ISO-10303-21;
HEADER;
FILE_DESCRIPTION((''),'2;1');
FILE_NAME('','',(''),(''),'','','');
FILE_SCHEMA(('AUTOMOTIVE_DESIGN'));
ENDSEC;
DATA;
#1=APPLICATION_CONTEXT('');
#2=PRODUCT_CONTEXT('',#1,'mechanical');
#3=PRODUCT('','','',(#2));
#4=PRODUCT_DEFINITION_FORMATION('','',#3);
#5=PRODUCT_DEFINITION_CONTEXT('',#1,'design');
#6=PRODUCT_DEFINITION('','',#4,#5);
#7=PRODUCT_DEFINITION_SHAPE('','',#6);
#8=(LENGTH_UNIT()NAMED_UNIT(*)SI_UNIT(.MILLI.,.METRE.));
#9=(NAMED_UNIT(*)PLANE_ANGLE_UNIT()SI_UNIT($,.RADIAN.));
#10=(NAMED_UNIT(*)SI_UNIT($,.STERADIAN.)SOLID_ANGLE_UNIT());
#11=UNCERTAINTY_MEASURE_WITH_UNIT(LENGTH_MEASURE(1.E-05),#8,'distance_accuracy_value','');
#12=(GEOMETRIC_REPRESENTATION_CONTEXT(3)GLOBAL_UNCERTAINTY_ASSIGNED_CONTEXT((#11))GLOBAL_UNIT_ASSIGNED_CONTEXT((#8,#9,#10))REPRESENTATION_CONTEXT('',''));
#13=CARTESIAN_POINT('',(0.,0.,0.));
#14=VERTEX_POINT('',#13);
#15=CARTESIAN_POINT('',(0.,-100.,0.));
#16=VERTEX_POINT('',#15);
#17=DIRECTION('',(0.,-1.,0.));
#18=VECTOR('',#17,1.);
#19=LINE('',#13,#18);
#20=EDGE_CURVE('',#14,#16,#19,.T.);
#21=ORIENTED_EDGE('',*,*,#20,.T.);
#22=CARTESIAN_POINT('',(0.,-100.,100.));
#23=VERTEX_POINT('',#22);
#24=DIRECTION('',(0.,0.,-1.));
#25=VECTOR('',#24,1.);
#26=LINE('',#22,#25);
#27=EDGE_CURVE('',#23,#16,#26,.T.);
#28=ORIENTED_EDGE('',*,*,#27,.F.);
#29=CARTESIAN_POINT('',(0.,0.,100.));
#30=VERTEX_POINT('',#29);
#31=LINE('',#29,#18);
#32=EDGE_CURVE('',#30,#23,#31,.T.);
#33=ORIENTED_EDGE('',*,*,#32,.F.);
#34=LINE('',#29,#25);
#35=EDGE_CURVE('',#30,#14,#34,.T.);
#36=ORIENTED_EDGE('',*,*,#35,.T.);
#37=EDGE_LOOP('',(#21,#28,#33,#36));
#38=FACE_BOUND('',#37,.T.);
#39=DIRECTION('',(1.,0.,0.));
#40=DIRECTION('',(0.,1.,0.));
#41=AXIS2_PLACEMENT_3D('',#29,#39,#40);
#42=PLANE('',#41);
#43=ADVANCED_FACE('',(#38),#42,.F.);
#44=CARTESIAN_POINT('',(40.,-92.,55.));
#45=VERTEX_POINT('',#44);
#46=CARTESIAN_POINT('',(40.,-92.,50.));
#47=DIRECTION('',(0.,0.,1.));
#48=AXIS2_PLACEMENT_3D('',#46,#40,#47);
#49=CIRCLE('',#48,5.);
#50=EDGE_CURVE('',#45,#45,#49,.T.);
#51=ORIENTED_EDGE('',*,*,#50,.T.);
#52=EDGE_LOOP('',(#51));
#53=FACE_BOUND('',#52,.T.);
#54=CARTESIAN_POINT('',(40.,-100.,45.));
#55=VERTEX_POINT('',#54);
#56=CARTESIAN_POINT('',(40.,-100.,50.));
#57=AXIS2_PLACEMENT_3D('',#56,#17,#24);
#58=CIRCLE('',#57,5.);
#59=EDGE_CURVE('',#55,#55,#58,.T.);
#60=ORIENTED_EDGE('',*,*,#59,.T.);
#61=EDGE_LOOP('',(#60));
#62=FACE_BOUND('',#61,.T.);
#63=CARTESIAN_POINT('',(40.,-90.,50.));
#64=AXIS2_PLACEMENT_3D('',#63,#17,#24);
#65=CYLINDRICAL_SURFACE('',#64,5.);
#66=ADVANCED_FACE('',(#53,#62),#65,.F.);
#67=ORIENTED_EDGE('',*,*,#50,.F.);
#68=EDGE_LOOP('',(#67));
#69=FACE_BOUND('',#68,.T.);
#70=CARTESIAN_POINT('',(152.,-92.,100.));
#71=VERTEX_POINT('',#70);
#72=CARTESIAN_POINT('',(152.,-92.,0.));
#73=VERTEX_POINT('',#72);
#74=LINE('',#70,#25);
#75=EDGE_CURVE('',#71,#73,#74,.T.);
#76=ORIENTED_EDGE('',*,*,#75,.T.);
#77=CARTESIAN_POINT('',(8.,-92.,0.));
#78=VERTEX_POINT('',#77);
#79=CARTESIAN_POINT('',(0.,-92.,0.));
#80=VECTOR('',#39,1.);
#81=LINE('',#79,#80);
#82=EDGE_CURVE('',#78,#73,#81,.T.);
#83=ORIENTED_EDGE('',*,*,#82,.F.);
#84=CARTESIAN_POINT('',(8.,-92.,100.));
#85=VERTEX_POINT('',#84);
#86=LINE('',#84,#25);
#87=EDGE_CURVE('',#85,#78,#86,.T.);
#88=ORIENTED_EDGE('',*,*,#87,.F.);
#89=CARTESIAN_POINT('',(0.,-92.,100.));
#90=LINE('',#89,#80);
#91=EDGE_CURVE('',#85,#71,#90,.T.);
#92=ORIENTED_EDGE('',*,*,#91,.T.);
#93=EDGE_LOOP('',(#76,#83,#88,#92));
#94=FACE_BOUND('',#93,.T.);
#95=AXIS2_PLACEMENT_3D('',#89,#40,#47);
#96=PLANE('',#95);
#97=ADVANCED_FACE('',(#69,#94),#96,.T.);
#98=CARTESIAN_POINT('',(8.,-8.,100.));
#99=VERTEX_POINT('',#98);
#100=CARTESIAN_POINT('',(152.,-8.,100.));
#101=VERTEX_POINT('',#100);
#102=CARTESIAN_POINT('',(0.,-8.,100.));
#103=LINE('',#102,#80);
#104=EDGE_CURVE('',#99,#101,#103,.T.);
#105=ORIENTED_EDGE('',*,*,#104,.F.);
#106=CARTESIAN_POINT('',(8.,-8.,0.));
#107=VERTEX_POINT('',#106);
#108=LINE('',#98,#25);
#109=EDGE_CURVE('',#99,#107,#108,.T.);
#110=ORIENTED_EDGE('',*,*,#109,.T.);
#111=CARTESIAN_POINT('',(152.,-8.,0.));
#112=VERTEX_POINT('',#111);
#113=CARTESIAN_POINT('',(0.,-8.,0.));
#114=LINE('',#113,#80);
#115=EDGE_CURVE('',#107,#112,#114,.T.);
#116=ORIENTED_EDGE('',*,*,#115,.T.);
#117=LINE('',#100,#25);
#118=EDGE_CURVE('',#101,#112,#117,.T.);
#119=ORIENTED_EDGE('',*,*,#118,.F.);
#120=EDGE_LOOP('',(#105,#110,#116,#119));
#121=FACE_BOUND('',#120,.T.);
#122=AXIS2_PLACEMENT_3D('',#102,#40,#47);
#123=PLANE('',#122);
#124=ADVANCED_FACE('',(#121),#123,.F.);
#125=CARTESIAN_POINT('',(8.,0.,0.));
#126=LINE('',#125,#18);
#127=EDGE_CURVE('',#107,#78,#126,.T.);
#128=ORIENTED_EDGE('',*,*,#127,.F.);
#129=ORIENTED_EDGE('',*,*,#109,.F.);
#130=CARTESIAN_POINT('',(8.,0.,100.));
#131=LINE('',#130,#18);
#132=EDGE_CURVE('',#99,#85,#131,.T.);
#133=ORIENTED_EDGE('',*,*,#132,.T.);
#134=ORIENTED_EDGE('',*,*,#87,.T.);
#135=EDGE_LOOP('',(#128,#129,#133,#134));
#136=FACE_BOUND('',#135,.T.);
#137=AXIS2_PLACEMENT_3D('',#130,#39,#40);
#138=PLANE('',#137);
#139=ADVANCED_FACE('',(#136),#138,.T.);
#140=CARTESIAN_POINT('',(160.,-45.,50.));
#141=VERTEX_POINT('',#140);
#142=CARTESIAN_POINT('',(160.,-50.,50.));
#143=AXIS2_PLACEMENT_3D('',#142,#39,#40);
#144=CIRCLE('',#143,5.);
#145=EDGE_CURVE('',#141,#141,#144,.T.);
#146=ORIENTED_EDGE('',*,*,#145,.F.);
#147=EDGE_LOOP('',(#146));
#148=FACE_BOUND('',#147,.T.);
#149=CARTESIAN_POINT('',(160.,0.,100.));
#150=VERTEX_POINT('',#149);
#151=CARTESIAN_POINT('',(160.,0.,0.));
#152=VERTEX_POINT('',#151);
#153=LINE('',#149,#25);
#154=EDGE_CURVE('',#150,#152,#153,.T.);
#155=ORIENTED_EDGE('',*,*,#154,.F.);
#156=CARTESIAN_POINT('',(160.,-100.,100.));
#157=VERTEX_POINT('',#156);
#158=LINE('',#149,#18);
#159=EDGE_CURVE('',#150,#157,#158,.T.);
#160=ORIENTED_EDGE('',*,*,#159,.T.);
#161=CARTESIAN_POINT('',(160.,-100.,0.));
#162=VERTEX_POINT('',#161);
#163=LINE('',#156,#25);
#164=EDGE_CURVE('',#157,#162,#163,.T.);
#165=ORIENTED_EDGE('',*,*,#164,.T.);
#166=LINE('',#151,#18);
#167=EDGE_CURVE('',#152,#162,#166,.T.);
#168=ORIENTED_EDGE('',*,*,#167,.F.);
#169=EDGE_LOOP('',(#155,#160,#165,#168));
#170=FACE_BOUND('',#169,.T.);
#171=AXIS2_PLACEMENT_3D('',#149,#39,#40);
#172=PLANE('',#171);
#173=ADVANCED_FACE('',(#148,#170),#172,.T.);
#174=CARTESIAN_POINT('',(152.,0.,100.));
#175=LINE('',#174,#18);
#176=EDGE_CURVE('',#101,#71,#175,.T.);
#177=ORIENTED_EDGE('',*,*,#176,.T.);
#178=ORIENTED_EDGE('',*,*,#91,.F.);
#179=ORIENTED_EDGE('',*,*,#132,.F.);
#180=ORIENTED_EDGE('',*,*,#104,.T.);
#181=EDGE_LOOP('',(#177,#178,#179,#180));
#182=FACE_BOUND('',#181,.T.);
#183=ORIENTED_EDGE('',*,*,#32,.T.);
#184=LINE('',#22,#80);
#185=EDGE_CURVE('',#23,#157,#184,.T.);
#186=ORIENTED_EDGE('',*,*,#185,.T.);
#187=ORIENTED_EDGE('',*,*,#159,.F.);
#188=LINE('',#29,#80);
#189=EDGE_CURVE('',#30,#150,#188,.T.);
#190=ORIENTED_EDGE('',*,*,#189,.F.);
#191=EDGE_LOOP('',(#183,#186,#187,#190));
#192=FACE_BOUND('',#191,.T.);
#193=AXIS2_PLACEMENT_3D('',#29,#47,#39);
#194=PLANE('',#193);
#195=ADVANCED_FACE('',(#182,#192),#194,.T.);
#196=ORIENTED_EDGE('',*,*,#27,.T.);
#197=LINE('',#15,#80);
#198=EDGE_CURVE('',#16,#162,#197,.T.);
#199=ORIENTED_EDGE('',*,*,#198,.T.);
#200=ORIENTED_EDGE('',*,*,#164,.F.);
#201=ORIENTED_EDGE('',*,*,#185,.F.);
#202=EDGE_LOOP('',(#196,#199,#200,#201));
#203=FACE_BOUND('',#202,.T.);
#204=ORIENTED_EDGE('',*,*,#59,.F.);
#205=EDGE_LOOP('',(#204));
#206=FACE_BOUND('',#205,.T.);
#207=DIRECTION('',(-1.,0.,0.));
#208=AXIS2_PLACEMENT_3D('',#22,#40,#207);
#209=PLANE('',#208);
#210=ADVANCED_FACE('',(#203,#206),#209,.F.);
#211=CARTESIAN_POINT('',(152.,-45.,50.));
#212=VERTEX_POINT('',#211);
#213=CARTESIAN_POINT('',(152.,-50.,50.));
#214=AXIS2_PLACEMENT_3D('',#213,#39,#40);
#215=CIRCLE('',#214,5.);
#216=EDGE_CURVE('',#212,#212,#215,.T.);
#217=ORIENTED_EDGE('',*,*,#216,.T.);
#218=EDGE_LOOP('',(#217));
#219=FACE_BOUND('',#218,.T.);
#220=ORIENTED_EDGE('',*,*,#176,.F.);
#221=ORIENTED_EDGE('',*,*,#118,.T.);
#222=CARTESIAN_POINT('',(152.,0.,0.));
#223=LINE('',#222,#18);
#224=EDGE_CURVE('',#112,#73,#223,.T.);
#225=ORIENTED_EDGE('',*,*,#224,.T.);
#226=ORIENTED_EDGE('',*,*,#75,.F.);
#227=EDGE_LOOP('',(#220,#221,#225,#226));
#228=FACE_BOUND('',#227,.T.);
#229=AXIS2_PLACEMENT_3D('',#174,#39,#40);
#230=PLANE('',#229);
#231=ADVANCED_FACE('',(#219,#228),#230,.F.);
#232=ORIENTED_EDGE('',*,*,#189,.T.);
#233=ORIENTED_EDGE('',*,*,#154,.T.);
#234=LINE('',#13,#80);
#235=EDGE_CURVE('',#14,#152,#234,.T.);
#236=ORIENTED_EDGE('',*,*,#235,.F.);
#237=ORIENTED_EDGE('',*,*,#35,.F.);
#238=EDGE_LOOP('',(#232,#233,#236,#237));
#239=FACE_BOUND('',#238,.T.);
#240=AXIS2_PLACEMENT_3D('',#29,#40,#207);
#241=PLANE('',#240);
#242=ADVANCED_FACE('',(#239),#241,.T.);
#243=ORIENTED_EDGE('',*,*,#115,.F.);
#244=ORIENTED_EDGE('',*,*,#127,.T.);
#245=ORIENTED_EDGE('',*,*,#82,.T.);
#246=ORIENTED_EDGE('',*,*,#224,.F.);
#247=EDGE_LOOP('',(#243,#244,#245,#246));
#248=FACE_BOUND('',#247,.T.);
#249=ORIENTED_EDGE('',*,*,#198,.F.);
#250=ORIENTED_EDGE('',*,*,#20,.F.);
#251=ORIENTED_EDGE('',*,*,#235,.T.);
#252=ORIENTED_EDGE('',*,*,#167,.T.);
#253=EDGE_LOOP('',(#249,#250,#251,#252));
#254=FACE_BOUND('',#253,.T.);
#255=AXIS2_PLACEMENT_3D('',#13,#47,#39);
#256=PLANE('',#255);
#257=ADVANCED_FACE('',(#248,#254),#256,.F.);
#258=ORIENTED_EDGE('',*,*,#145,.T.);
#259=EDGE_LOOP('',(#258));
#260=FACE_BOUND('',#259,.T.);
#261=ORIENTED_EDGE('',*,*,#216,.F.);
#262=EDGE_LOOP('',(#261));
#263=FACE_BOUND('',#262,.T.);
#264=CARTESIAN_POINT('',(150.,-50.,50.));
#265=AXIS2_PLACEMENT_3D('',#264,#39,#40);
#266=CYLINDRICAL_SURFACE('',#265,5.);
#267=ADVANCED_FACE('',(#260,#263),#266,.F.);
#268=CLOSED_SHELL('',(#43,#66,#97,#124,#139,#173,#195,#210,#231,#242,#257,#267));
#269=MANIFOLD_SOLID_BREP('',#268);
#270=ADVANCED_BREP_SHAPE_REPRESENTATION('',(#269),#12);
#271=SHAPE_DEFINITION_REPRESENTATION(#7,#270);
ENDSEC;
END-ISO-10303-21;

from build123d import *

# Parameters (mm, degrees)
SKETCH1_W           = 160
SKETCH1_H           = 100
SKETCH1_W_2         = 144
SKETCH1_H_2         = 84
BOSS_EXTRUDE1_DEPTH = 100
SKETCH2_R           = 5
CUT_EXTRUDE1_DEPTH  = 10
SKETCH3_R           = 5
CUT_EXTRUDE2_DEPTH  = 10


with BuildPart() as part:
    # Sketch1 → Boss-Extrude1 (new body)
    with BuildSketch(Plane.XY):
        with Locations((80, -50)):
            Rectangle(SKETCH1_W, SKETCH1_H)
        with Locations((80, -50)):
            Rectangle(SKETCH1_W_2, SKETCH1_H_2, mode=Mode.SUBTRACT)
    extrude(amount=BOSS_EXTRUDE1_DEPTH)

    # Sketch2 → Cut-Extrude1 (cut)
    with BuildSketch(Plane.XZ.offset(100)):
        with Locations(Location((40, 50, 0), (0, 0, 270))):
            Circle(SKETCH2_R)
    extrude(amount=-CUT_EXTRUDE1_DEPTH, mode=Mode.SUBTRACT)

    # Sketch3 → Cut-Extrude2 (cut)
    with BuildSketch(Plane(origin=(160, 0, 0), x_dir=(0, 0, -1), z_dir=(1, 0, 0))):
        with Locations(Location((-50, -50, 0), (0, 0, 90))):
            Circle(SKETCH3_R)
    extrude(amount=-CUT_EXTRUDE2_DEPTH, mode=Mode.SUBTRACT)


solid = part.part
